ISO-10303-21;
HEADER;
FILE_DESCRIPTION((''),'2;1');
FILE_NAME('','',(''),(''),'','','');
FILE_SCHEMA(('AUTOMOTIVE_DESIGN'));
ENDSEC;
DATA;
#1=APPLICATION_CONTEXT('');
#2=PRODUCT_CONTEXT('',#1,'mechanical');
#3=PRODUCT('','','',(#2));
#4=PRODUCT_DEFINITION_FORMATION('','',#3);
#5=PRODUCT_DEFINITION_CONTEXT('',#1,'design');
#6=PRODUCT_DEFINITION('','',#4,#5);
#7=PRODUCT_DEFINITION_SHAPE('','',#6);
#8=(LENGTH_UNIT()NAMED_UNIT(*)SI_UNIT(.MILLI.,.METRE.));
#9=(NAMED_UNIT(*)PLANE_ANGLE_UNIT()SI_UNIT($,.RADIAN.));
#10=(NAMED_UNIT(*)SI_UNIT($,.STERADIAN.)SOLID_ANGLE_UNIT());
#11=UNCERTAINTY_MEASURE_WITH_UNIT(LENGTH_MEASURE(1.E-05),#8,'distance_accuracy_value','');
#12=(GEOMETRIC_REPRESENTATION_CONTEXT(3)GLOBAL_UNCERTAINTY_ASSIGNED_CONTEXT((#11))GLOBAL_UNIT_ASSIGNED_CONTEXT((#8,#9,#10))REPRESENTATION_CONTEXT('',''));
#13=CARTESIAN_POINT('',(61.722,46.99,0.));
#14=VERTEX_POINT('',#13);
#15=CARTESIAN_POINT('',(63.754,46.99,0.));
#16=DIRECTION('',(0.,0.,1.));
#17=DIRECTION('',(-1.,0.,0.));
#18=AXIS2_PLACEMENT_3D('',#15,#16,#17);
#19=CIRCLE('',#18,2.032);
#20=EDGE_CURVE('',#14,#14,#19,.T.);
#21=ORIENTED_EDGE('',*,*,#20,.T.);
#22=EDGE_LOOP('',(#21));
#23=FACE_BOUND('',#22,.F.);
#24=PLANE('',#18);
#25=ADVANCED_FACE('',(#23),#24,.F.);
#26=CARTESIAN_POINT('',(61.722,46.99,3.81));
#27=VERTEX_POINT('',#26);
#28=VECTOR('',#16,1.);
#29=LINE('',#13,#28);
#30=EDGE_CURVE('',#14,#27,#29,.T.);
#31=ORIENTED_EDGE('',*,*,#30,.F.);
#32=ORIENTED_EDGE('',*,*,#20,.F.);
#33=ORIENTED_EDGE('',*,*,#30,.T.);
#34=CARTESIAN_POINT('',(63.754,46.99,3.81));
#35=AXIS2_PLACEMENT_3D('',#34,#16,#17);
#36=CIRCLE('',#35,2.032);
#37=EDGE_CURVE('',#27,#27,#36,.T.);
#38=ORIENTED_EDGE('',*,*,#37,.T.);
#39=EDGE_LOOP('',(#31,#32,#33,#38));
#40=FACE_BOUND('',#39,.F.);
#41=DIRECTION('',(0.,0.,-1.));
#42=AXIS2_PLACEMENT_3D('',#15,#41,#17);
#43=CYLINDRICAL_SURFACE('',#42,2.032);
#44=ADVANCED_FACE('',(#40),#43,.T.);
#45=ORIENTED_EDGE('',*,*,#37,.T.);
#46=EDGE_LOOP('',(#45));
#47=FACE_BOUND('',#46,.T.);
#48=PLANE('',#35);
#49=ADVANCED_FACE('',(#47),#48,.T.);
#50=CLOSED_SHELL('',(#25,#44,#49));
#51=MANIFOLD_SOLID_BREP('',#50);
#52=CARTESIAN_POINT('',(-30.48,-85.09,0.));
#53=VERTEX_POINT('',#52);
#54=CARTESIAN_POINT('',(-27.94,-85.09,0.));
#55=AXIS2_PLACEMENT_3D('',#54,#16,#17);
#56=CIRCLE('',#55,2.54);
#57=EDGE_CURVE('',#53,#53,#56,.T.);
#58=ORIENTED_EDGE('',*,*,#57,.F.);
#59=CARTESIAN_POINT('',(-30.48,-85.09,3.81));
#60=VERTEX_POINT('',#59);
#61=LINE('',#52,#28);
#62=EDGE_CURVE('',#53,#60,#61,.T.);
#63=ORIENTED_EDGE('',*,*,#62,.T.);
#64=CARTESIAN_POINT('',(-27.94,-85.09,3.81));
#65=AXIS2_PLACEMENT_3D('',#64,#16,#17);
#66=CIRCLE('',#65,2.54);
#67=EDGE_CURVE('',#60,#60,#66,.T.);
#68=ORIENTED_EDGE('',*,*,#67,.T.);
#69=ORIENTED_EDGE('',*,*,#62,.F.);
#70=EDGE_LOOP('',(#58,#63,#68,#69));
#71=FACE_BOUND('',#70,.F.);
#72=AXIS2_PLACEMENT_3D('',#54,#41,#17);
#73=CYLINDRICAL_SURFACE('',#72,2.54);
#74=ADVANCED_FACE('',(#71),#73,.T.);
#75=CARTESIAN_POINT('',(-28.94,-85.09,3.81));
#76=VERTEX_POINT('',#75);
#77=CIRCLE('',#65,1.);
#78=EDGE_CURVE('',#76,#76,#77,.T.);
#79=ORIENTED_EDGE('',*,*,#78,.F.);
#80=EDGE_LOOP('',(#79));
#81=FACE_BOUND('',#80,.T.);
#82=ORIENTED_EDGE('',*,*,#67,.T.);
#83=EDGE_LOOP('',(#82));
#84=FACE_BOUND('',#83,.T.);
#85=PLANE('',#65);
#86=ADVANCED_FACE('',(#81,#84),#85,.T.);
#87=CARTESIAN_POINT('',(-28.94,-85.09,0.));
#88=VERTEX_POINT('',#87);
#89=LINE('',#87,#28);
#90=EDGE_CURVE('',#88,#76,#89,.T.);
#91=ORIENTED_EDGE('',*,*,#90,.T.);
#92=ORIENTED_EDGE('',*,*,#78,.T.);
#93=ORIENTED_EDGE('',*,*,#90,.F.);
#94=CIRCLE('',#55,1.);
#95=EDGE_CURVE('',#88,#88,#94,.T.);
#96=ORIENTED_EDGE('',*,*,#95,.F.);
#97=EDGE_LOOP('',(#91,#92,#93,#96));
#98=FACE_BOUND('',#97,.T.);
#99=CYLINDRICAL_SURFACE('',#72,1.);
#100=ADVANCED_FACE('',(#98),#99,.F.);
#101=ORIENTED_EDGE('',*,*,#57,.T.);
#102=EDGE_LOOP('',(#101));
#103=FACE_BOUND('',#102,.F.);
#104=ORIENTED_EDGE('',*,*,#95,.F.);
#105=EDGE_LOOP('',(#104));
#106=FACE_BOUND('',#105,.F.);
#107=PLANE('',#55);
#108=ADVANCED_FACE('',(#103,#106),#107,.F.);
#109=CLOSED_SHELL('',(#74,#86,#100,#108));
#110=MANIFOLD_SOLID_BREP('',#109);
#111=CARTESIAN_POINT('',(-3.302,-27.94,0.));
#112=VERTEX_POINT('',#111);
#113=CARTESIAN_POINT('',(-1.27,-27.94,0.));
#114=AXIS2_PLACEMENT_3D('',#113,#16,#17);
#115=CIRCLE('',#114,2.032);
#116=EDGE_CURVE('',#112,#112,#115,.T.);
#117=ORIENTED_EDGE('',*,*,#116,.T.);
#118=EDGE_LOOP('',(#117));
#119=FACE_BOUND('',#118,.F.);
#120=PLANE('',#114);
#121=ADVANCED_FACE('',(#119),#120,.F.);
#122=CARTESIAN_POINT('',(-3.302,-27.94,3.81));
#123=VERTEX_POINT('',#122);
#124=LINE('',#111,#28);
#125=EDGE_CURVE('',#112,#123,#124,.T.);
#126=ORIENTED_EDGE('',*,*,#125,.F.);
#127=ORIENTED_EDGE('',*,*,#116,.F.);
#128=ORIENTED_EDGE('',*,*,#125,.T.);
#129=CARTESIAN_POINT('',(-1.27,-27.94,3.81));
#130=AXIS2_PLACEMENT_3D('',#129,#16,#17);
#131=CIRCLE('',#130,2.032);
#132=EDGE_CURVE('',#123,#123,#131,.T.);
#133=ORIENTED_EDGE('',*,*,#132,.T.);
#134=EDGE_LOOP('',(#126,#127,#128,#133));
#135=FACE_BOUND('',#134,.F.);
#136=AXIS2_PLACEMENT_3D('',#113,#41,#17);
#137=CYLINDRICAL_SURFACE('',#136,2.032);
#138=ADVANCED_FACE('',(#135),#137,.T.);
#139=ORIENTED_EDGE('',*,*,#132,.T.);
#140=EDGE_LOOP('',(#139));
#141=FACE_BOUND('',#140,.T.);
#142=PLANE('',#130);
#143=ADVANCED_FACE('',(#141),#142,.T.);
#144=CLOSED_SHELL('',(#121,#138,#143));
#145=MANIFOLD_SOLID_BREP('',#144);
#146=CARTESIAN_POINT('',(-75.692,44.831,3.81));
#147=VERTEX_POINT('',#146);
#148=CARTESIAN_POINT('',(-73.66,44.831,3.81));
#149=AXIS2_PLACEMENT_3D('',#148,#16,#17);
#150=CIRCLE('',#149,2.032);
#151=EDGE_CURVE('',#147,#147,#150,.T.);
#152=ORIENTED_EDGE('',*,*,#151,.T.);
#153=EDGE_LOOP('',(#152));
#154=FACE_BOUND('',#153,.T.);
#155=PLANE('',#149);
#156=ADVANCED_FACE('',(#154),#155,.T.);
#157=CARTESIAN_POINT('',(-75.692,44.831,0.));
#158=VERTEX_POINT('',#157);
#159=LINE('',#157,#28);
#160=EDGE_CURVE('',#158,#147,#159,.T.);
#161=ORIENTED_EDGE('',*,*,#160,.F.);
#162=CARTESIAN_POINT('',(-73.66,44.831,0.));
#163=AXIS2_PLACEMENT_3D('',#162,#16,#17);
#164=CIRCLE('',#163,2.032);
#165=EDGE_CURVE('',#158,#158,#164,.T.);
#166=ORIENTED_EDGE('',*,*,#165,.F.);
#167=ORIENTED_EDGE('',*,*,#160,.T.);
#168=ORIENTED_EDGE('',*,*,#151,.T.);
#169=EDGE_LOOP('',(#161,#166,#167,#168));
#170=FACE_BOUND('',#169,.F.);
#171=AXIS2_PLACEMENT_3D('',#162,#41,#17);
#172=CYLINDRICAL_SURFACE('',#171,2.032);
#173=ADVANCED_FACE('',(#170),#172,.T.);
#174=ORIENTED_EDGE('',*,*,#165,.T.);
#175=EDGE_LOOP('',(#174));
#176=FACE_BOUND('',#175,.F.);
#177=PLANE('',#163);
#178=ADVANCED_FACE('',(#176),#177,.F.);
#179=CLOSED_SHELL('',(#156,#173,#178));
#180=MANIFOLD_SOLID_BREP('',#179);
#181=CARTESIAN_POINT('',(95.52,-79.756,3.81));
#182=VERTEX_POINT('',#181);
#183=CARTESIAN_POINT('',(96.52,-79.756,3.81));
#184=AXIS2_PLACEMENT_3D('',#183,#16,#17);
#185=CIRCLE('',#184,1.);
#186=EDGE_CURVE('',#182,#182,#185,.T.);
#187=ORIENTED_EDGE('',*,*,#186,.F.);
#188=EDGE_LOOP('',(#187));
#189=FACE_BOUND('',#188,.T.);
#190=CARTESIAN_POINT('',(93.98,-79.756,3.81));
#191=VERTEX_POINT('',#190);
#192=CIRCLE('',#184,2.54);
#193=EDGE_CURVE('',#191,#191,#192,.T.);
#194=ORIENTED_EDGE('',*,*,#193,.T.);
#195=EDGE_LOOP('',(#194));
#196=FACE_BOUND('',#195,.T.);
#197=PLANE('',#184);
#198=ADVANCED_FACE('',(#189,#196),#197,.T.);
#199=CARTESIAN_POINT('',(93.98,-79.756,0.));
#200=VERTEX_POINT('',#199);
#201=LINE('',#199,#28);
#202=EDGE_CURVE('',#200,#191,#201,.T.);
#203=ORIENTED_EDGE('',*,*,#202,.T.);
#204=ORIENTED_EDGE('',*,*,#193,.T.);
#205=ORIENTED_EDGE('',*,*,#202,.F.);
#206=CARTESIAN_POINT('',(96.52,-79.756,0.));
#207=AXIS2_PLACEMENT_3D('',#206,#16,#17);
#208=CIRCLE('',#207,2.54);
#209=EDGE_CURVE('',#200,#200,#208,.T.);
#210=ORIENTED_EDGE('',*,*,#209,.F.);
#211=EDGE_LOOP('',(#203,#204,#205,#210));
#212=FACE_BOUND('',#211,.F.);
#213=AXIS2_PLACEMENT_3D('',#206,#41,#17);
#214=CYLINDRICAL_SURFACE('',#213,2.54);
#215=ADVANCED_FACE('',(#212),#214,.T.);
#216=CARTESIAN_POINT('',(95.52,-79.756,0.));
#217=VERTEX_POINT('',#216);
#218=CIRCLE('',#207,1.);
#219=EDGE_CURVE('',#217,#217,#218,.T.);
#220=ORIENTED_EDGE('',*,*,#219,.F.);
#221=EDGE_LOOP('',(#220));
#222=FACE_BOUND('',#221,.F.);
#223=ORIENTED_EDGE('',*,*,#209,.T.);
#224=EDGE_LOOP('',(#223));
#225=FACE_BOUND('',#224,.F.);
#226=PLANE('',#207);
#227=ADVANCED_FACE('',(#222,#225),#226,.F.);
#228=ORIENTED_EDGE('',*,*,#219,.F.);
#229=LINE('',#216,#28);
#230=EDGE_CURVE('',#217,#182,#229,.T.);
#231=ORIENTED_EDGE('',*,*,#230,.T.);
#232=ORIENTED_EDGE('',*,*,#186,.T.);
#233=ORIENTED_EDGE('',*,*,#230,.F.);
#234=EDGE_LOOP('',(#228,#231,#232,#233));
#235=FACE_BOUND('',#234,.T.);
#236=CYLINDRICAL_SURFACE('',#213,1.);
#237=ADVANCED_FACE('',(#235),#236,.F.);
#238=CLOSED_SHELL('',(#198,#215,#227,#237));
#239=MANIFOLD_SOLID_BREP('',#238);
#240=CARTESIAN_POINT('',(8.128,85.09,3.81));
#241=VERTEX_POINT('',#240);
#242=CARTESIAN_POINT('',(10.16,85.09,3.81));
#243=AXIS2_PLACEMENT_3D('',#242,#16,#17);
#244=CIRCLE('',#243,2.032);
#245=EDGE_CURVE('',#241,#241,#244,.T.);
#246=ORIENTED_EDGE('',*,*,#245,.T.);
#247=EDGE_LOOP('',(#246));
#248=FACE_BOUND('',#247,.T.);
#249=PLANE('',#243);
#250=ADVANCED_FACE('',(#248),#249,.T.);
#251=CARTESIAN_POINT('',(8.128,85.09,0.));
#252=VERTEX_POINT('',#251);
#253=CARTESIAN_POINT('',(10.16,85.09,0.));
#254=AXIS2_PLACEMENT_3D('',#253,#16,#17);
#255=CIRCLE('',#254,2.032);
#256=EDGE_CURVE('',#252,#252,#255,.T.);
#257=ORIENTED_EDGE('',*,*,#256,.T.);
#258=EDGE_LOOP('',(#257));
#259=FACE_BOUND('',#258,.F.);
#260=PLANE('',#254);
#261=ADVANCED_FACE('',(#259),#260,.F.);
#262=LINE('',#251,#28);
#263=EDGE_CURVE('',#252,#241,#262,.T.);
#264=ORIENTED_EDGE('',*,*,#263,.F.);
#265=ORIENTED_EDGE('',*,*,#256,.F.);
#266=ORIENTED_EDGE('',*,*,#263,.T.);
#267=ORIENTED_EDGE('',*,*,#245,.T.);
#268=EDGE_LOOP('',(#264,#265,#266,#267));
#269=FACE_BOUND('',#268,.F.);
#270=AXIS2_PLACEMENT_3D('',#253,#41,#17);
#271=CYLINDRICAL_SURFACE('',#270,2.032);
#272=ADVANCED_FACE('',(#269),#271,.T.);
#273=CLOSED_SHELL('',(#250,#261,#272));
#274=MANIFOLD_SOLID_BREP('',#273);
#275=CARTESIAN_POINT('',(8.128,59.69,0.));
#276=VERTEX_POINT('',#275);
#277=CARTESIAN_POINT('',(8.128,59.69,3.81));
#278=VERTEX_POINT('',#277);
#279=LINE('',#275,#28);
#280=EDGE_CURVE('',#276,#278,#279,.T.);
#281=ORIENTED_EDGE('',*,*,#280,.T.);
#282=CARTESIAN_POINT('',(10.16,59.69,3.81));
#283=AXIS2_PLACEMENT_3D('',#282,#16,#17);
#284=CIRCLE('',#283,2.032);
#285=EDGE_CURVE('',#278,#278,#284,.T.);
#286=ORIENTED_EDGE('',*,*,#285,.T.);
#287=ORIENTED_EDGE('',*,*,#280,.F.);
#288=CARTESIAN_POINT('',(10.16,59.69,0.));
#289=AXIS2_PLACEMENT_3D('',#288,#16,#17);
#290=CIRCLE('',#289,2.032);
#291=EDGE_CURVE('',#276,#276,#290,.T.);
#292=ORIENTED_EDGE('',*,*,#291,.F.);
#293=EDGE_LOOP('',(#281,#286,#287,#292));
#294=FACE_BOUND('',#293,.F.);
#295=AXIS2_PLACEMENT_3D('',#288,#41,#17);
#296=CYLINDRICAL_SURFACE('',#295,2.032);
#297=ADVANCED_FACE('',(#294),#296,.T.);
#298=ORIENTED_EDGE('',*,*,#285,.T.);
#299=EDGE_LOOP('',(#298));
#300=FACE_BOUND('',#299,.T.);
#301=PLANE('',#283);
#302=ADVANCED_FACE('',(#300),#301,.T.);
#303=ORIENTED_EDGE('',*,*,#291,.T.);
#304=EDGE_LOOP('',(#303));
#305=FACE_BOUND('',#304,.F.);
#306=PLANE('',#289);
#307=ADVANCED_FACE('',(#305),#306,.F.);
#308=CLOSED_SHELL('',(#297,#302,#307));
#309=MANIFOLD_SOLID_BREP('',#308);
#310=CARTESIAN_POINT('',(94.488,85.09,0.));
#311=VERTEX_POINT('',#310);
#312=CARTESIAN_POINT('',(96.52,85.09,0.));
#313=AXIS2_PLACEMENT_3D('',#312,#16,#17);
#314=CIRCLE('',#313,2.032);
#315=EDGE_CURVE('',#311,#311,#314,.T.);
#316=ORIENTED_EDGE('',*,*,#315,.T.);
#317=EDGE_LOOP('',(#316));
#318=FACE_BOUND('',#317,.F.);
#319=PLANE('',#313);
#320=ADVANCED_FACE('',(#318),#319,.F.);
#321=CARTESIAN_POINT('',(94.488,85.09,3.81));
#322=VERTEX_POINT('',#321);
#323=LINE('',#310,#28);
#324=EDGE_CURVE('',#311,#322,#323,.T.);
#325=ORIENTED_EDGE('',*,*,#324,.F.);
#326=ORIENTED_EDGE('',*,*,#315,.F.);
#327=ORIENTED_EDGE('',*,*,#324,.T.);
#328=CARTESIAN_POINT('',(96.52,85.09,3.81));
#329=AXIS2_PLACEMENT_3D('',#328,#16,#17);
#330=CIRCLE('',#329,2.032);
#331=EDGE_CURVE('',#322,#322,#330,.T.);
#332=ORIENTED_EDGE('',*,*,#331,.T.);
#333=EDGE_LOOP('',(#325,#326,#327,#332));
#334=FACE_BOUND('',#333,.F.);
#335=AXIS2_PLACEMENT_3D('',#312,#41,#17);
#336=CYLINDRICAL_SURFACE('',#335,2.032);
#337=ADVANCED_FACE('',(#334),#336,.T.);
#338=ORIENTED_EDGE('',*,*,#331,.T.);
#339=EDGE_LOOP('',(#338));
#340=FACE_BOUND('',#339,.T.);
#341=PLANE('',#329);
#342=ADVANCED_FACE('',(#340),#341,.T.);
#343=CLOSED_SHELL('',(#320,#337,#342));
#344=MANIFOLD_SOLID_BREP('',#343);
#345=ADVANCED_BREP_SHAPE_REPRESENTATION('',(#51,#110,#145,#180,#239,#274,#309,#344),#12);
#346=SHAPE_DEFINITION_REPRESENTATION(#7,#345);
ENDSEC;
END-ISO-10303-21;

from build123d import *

# Parameters (mm, degrees)
SKETCH1_R             = 2.54
SKETCH1_R_2           = 1
BOSS_EXTRUDE1_DEPTH   = 3.81
BOSS_EXTRUDE1_2_DEPTH = 3.81
SKETCH1_R_3           = 2.032
BOSS_EXTRUDE1_3_DEPTH = 3.81
BOSS_EXTRUDE1_4_DEPTH = 3.81
BOSS_EXTRUDE1_5_DEPTH = 3.81
BOSS_EXTRUDE1_6_DEPTH = 3.81
BOSS_EXTRUDE1_7_DEPTH = 3.81
BOSS_EXTRUDE1_8_DEPTH = 3.81


with BuildPart() as part:
    # Sketch1 → Boss-Extrude1 (new body)
    with BuildSketch(Plane.XY):
        with Locations(Location((96.52, -79.756, 0), (0, 0, 180))):
            Circle(SKETCH1_R)
        with Locations(Location((96.52, -79.756, 0), (0, 0, 180))):
            Circle(SKETCH1_R_2, mode=Mode.SUBTRACT)
    extrude(amount=BOSS_EXTRUDE1_DEPTH)


with BuildPart() as body_2:
    # Sketch1 → Boss-Extrude1 2 (new body)
    with BuildSketch(Plane.XY):
        with Locations(Location((-27.94, -85.09, 0), (0, 0, 180))):
            Circle(SKETCH1_R)
        with Locations(Location((-27.94, -85.09, 0), (0, 0, 180))):
            Circle(SKETCH1_R_2, mode=Mode.SUBTRACT)
    extrude(amount=BOSS_EXTRUDE1_2_DEPTH)


with BuildPart() as body_3:
    # Sketch1 → Boss-Extrude1 3 (new body)
    with BuildSketch(Plane.XY):
        with Locations(Location((-1.27, -27.94, 0), (0, 0, 180))):
            Circle(SKETCH1_R_3)
    extrude(amount=BOSS_EXTRUDE1_3_DEPTH)


with BuildPart() as body_4:
    # Sketch1 → Boss-Extrude1 4 (new body)
    with BuildSketch(Plane.XY):
        with Locations(Location((63.754, 46.99, 0), (0, 0, 180))):
            Circle(SKETCH1_R_3)
    extrude(amount=BOSS_EXTRUDE1_4_DEPTH)


with BuildPart() as body_5:
    # Sketch1 → Boss-Extrude1 5 (new body)
    with BuildSketch(Plane.XY):
        with Locations(Location((10.16, 59.69, 0), (0, 0, 180))):
            Circle(SKETCH1_R_3)
    extrude(amount=BOSS_EXTRUDE1_5_DEPTH)


with BuildPart() as body_6:
    # Sketch1 → Boss-Extrude1 6 (new body)
    with BuildSketch(Plane.XY):
        with Locations(Location((10.16, 85.09, 0), (0, 0, 180))):
            Circle(SKETCH1_R_3)
    extrude(amount=BOSS_EXTRUDE1_6_DEPTH)


with BuildPart() as body_7:
    # Sketch1 → Boss-Extrude1 7 (new body)
    with BuildSketch(Plane.XY):
        with Locations(Location((96.52, 85.09, 0), (0, 0, 180))):
            Circle(SKETCH1_R_3)
    extrude(amount=BOSS_EXTRUDE1_7_DEPTH)


with BuildPart() as body_8:
    # Sketch1 → Boss-Extrude1 8 (new body)
    with BuildSketch(Plane.XY):
        with Locations(Location((-73.66, 44.831, 0), (0, 0, 180))):
            Circle(SKETCH1_R_3)
    extrude(amount=BOSS_EXTRUDE1_8_DEPTH)


solid = Compound([part.part, body_2.part, body_3.part, body_4.part, body_5.part, body_6.part, body_7.part, body_8.part])
